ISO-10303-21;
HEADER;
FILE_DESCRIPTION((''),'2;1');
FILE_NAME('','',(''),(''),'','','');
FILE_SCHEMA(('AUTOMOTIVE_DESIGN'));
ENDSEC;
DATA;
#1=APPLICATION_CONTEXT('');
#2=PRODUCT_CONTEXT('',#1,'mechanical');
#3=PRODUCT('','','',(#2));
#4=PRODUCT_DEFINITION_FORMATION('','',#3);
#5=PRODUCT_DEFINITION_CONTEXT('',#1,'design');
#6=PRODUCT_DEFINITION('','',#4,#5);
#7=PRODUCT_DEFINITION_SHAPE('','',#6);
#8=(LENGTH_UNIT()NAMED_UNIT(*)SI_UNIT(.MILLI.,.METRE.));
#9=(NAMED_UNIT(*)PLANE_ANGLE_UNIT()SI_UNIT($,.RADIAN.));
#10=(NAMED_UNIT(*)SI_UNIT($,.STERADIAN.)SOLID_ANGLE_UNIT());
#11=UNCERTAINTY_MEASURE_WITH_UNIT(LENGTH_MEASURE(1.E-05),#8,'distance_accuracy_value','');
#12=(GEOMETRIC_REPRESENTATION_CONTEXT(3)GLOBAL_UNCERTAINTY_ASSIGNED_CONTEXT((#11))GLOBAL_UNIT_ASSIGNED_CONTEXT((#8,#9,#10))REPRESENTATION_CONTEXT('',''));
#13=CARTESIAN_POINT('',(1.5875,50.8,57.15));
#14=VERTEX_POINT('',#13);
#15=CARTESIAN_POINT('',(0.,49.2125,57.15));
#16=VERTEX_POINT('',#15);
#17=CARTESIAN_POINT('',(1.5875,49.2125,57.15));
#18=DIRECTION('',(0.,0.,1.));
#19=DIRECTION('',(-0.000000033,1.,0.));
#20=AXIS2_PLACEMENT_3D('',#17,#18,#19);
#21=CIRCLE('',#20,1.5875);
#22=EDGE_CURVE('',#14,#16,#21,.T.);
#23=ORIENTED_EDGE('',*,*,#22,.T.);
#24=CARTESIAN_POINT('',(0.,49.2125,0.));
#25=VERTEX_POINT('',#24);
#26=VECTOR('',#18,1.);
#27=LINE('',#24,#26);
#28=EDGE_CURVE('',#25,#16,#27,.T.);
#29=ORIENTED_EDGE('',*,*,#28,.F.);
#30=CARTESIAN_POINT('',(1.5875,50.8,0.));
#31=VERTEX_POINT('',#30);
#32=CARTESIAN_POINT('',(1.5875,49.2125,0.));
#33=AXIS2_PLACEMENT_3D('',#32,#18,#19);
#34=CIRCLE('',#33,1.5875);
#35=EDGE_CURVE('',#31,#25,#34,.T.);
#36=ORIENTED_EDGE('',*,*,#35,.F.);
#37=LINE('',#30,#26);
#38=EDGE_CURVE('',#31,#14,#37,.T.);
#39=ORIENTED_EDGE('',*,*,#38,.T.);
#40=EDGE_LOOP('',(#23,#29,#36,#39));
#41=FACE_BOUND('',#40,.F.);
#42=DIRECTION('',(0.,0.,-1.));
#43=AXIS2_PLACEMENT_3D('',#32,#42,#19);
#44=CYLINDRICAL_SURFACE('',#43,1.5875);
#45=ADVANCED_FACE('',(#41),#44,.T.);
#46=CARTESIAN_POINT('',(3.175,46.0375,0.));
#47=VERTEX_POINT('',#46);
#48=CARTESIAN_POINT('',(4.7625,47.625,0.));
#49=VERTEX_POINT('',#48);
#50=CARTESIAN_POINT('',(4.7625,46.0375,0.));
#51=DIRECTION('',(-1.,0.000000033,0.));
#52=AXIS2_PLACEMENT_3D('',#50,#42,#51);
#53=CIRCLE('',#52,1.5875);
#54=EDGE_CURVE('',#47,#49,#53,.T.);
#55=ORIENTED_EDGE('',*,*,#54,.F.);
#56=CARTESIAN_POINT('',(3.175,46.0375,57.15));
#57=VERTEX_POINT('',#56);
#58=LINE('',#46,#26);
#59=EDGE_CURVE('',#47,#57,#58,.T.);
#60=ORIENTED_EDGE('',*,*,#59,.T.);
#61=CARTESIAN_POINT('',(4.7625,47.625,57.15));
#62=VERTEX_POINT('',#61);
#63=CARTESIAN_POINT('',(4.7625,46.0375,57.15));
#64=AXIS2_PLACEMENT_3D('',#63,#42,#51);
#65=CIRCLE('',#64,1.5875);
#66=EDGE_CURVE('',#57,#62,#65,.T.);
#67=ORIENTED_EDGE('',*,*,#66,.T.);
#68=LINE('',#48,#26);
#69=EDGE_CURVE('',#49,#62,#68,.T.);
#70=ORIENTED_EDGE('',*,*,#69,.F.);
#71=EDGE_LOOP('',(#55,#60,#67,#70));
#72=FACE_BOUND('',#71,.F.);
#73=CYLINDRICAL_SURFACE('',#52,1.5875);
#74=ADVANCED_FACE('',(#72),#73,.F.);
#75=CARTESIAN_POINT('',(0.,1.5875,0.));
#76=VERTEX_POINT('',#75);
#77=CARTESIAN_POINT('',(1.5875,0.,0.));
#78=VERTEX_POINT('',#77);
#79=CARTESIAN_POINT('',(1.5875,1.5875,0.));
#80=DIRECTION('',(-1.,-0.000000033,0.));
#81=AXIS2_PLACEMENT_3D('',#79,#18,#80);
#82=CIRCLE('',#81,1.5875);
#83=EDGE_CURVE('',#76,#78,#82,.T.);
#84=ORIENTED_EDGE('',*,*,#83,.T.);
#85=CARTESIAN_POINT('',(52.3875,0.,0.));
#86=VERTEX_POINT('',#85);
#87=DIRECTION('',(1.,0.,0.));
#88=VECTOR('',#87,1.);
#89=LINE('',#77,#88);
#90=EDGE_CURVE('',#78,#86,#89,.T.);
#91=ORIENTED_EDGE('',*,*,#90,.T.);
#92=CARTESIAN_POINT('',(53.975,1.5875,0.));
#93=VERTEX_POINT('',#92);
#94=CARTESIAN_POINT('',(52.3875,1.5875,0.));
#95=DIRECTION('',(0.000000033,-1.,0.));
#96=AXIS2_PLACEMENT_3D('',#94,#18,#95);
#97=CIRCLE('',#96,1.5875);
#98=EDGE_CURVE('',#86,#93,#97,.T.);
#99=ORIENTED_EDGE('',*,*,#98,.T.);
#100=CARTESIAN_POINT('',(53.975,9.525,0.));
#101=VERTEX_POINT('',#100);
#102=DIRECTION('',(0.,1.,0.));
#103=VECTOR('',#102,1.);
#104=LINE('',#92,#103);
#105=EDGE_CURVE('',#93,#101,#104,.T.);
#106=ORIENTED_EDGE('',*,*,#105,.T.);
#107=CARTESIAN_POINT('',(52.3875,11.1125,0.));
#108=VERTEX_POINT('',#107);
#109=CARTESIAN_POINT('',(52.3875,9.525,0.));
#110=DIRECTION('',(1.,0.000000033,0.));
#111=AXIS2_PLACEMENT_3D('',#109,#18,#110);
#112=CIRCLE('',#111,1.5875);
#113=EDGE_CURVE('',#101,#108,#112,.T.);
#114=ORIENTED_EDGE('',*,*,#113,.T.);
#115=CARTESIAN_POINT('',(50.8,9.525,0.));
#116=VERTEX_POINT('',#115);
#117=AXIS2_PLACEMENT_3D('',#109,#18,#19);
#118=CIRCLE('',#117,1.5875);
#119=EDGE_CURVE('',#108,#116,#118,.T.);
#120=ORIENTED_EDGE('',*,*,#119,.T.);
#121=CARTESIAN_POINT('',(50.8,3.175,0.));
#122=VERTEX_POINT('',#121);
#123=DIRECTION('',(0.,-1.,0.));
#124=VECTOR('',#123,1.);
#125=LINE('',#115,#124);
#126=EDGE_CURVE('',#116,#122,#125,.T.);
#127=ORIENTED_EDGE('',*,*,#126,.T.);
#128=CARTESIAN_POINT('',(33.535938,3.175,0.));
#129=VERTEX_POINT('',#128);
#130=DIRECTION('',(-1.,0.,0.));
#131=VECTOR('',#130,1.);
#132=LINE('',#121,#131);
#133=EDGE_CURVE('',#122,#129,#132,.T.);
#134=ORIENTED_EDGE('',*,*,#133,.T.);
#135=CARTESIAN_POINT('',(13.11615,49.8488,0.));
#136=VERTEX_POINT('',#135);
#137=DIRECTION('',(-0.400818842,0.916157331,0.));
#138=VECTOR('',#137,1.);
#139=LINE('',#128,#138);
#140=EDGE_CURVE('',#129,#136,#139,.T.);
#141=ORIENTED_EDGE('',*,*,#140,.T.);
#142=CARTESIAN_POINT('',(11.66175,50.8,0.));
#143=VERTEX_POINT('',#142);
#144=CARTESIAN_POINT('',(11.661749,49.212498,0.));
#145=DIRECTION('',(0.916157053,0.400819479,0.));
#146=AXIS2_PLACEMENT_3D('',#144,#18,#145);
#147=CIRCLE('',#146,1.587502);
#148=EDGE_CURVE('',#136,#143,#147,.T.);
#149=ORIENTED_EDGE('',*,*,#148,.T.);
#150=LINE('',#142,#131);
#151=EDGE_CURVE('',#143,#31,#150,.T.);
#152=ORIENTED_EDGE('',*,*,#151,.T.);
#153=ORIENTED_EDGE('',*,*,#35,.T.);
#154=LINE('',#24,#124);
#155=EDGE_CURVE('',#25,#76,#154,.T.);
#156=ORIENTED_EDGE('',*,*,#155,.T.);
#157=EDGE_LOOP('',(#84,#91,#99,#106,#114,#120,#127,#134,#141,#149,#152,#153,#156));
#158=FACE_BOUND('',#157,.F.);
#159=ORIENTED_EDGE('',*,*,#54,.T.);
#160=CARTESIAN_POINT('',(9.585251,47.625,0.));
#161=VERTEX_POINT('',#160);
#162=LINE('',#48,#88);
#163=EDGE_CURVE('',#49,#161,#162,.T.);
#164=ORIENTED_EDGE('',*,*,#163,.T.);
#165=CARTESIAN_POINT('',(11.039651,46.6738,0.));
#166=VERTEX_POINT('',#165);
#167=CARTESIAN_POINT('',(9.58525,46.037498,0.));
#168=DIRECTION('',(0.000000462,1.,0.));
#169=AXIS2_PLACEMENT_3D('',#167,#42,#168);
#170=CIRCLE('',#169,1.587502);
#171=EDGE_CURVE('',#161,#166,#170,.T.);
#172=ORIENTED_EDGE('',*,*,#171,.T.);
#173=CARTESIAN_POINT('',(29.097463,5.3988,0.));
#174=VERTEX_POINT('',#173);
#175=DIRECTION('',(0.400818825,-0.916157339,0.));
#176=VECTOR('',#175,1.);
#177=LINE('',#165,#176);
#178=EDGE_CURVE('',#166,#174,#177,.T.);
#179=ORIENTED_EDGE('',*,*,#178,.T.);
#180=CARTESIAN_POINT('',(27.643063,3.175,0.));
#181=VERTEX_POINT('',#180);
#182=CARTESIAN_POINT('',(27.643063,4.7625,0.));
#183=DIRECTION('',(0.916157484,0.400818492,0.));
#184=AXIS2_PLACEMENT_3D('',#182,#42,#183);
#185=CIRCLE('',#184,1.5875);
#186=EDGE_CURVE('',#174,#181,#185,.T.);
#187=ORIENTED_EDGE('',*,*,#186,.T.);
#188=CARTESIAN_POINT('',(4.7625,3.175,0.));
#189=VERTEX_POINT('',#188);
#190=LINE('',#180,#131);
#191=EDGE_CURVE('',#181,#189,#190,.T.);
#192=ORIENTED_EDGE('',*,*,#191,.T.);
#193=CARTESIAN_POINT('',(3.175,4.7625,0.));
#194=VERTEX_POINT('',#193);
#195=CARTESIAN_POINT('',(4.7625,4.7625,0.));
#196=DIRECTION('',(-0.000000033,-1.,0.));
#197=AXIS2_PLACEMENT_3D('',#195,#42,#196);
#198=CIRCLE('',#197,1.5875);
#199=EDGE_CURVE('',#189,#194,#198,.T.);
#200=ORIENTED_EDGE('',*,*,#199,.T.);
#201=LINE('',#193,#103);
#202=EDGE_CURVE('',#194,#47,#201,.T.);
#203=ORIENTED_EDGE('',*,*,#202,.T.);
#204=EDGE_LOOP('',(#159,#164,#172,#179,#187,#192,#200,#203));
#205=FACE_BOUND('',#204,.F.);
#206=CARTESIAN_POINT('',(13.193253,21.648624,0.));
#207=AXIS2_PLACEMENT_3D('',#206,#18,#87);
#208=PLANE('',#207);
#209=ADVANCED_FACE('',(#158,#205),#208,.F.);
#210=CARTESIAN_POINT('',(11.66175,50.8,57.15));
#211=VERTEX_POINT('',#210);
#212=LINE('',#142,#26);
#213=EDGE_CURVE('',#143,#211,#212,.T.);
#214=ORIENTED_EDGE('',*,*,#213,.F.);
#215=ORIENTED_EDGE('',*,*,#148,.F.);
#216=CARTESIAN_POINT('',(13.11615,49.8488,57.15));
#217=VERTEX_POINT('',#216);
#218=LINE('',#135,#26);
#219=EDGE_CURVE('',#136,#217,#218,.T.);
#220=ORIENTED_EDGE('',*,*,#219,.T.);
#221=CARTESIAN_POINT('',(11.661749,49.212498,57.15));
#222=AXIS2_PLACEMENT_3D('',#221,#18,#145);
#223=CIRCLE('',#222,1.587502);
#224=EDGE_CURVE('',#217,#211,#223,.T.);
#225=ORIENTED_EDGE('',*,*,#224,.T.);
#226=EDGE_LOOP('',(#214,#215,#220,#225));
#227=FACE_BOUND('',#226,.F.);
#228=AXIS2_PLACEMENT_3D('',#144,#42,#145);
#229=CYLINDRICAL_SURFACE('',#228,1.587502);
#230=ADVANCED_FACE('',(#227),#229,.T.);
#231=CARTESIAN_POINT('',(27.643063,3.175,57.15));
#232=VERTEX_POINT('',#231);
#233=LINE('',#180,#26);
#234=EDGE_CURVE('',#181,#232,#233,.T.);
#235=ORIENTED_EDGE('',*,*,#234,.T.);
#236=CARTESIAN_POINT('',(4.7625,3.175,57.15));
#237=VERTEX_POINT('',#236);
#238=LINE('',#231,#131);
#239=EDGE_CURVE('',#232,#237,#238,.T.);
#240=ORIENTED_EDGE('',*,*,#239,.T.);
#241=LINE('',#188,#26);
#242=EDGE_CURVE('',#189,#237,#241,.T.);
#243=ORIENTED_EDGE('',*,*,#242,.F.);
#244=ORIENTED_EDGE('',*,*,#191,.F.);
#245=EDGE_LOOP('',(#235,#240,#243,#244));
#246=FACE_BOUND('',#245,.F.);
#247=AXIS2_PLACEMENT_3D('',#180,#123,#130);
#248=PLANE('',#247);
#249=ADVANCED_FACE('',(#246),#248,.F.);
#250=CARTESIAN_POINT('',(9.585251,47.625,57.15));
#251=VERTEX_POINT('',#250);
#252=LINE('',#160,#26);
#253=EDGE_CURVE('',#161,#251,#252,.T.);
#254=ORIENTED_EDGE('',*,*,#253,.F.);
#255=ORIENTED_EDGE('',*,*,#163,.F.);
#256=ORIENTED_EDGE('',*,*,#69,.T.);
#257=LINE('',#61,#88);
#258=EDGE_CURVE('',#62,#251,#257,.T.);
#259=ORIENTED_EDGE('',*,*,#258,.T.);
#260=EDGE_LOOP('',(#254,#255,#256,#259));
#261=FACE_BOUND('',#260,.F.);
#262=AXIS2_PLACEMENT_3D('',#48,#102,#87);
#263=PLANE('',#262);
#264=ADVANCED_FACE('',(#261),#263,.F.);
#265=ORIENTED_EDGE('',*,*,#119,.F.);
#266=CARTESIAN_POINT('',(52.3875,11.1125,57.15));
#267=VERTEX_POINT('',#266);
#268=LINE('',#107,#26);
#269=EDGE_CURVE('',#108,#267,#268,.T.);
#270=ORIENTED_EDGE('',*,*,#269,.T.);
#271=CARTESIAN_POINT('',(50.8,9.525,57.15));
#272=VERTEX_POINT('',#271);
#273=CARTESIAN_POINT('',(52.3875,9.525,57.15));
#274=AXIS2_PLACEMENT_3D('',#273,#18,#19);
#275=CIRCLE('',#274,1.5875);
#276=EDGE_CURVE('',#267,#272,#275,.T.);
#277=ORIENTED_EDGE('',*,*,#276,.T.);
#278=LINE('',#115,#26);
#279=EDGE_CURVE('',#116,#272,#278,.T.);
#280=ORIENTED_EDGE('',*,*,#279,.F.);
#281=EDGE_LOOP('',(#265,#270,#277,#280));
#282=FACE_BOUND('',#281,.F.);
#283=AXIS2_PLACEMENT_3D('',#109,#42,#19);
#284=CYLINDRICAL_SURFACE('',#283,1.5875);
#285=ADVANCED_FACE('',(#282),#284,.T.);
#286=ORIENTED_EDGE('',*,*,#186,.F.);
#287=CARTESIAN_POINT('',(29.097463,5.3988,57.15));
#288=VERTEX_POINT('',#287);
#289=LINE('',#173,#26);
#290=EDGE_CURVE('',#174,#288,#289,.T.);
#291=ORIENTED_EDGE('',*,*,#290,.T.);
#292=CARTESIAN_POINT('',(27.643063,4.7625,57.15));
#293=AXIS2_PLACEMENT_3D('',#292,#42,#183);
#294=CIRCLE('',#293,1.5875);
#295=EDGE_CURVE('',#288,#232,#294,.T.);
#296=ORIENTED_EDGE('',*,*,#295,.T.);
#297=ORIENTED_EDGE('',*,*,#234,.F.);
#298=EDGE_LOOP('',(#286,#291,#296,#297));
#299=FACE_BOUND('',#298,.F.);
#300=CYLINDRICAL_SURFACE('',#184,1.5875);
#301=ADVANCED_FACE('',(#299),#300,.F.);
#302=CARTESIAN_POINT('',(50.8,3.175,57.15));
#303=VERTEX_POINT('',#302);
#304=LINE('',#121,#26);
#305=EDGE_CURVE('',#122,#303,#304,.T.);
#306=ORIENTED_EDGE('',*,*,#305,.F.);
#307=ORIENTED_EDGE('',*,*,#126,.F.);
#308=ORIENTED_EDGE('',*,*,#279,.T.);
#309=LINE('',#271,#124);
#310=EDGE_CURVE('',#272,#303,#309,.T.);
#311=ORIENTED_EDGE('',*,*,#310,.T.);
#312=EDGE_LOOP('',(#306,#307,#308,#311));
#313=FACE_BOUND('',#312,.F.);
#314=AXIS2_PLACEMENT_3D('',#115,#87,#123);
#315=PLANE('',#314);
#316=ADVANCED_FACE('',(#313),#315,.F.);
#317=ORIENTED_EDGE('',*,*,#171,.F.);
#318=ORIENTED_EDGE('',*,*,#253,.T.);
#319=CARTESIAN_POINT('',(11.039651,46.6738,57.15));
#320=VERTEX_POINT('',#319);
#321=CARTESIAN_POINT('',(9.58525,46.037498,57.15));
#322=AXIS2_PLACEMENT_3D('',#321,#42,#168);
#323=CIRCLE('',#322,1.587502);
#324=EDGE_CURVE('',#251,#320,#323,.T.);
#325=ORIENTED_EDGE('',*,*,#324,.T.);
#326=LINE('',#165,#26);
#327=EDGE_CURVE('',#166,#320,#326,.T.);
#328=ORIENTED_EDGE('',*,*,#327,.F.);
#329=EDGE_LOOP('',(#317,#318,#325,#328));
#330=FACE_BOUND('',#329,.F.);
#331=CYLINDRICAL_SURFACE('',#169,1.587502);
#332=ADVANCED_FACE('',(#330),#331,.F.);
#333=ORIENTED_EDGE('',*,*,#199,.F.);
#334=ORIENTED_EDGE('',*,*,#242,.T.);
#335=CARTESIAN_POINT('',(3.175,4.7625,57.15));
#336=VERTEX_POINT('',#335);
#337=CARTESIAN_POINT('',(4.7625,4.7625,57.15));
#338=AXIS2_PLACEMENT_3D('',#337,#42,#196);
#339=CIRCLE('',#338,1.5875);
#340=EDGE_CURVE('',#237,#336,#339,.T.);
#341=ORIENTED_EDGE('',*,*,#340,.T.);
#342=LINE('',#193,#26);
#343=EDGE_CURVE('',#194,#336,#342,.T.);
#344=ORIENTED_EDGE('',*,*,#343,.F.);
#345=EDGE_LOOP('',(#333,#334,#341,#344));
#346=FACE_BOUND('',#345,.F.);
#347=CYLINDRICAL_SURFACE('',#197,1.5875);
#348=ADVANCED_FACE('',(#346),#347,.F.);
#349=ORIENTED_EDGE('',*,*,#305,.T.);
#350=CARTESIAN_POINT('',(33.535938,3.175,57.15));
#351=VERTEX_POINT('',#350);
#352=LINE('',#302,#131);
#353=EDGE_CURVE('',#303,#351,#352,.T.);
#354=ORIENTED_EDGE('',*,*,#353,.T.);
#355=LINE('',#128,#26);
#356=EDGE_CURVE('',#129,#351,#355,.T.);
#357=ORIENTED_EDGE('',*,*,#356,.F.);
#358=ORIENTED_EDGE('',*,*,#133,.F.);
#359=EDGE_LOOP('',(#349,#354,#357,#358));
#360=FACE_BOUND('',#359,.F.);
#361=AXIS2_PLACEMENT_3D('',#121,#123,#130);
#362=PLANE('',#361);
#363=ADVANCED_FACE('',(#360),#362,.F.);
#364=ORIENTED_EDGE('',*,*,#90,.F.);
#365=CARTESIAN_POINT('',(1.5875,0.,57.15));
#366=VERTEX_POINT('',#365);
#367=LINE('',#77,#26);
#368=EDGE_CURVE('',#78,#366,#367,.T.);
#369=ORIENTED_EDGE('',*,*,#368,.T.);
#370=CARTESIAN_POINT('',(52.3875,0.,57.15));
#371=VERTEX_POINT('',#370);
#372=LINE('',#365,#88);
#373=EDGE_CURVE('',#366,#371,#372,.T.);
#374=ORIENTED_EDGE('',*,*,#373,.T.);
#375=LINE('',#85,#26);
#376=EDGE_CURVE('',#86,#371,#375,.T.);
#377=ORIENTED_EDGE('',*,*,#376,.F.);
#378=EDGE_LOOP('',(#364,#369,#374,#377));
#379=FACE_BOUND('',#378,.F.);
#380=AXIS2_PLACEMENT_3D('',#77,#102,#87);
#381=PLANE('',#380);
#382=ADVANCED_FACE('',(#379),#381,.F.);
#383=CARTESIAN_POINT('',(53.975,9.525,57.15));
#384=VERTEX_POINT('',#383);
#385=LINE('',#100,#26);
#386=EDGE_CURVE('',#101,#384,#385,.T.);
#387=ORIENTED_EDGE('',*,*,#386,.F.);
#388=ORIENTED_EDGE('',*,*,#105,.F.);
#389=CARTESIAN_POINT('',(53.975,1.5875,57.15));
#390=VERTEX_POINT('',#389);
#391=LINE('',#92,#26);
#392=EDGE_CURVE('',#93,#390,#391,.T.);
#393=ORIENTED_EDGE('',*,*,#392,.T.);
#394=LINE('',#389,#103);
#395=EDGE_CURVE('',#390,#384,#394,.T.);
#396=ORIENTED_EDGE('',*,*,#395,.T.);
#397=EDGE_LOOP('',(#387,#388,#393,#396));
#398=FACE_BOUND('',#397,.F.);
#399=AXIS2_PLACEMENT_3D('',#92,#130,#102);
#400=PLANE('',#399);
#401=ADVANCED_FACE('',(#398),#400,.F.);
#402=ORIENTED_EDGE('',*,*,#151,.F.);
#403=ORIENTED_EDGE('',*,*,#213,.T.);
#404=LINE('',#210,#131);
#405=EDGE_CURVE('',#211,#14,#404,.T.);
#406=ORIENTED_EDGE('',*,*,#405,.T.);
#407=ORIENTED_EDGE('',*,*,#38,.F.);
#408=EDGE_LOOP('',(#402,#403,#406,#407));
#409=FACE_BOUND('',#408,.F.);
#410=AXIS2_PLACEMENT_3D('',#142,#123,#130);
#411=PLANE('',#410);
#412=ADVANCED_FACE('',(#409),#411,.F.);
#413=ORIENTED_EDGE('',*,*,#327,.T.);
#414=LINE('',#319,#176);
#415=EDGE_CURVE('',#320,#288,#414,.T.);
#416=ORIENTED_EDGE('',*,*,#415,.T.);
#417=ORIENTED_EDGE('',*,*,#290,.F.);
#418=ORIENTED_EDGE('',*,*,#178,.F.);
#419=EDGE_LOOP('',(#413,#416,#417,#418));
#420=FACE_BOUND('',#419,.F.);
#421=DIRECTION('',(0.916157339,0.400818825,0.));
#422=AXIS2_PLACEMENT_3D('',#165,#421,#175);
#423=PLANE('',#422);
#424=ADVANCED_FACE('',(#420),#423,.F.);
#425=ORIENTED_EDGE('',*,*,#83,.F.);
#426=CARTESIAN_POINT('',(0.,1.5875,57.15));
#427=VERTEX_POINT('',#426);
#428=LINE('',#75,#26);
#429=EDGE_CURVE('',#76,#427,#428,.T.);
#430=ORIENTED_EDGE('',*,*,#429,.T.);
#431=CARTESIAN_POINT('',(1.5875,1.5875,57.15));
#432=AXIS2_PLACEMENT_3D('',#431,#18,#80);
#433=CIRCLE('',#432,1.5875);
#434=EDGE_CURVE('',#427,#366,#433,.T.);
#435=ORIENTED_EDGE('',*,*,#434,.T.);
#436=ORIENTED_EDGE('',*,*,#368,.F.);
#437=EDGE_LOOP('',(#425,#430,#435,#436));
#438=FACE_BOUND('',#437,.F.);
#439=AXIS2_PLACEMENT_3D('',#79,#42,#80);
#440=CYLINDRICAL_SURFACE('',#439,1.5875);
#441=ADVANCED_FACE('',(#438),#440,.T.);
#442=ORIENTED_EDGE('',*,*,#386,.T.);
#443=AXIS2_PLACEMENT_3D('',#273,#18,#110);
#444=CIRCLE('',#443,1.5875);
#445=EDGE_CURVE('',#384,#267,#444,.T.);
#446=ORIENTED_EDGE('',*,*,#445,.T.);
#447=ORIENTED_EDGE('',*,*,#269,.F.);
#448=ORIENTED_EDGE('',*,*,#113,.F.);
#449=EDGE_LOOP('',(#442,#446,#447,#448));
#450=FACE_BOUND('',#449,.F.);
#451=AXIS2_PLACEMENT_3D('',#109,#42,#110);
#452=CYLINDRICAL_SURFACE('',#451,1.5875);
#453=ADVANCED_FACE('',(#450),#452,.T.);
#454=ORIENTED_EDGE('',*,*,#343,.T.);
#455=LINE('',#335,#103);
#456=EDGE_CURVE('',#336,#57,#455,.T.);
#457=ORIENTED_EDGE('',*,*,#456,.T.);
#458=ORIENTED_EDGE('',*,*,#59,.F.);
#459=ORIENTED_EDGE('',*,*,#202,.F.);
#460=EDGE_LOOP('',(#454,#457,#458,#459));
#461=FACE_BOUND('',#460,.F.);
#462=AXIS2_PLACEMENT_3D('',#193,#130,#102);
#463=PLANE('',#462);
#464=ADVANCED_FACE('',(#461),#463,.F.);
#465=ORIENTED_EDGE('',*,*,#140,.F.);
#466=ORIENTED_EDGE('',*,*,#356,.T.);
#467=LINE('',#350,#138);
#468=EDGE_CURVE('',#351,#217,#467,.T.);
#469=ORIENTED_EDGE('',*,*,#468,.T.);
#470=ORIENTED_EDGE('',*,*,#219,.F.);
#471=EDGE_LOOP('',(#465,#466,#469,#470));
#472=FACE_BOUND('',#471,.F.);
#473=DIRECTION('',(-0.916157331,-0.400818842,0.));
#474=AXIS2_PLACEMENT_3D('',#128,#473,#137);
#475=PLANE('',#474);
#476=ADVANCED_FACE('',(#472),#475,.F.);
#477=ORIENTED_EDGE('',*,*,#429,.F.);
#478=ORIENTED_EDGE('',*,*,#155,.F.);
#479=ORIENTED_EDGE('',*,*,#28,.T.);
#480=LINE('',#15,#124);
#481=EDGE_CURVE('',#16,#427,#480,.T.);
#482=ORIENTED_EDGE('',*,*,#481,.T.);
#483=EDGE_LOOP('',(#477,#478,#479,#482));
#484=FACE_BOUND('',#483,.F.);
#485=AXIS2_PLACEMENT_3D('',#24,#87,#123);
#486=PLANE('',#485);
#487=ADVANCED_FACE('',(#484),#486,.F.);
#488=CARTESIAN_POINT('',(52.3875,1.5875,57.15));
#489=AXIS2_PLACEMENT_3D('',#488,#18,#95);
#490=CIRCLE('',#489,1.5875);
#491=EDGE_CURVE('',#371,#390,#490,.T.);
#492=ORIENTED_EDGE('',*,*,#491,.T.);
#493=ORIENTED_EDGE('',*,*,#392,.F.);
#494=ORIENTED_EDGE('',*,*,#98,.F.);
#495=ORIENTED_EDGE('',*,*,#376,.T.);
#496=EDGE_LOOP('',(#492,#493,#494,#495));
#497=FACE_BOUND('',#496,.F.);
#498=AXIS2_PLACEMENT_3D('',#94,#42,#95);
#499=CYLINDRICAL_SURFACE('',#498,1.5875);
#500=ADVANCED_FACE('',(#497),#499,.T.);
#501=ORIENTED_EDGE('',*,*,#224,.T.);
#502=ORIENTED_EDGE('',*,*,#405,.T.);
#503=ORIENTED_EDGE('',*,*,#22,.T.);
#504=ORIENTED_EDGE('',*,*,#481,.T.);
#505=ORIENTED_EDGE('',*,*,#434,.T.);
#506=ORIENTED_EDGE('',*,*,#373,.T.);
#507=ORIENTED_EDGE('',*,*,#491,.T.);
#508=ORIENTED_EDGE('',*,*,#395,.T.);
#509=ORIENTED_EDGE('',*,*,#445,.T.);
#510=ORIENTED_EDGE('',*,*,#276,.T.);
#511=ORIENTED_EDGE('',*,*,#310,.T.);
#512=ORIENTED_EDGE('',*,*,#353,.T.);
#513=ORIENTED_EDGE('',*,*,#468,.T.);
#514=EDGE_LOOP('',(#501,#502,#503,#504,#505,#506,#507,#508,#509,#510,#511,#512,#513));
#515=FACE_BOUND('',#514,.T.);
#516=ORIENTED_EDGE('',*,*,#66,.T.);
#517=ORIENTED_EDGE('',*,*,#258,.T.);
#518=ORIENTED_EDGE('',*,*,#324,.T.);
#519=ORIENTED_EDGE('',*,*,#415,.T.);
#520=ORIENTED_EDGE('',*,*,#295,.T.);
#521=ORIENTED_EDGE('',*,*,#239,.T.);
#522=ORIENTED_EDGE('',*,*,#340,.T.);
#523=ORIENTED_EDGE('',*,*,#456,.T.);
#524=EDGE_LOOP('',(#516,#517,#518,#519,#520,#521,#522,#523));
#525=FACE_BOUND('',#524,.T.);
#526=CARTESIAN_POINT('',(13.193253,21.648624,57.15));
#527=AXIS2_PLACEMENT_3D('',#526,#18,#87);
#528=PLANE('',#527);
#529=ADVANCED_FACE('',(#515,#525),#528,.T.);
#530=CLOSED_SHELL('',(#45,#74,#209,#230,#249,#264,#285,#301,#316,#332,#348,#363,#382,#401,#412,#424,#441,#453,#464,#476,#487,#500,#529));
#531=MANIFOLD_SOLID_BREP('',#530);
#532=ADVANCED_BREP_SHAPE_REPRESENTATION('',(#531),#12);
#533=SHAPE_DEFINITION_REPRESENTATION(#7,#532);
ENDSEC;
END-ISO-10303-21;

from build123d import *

# Parameters (mm, degrees)
F1_DEPTH = 57.15


with BuildPart() as f1:
    # F0 (on Top) → F1 (new body)
    with BuildSketch(Plane.XY):
        with BuildLine():
            ThreePointArc((0, 1.5875), (0.464968, 0.464968), (1.5875, 0))
            Line((1.5875, 0), (34.925, 0))
            Line((34.925, 0), (33.535938, 3.175))
            Line((33.535938, 3.175), (13.11615, 49.8488))
            ThreePointArc((13.11615, 49.8488), (12.530666, 50.541086), (11.66175, 50.8))
            Line((11.66175, 50.8), (1.5875, 50.8))
            ThreePointArc((1.5875, 50.8), (0.464968, 50.335032), (0, 49.2125))
            Line((0, 49.2125), (0, 1.5875))
        make_face()
        with BuildLine():
            ThreePointArc((4.7625, 3.175), (3.639968, 3.639968), (3.175, 4.7625))
            Line((3.175, 4.7625), (3.175, 46.0375))
            ThreePointArc((3.175, 46.0375), (3.639968, 47.160032), (4.7625, 47.625))
            Line((4.7625, 47.625), (9.585251, 47.625))
            ThreePointArc((9.585251, 47.625), (10.454167, 47.366086), (11.039651, 46.6738))
            Line((11.039651, 46.6738), (29.097463, 5.3988))
            ThreePointArc((29.097463, 5.3988), (28.971649, 3.893584), (27.643063, 3.175))
            Line((27.643063, 3.175), (4.7625, 3.175))
        make_face(mode=Mode.SUBTRACT)
        with BuildLine():
            Line((33.535938, 3.175), (34.925, 0))
            Line((34.925, 0), (52.3875, 0))
            ThreePointArc((52.3875, 0), (53.510032, 0.464968), (53.975, 1.5875))
            Line((53.975, 1.5875), (53.975, 9.525))
            ThreePointArc((53.975, 9.525), (53.510032, 10.647532), (52.3875, 11.1125))
            ThreePointArc((52.3875, 11.1125), (51.264968, 10.647532), (50.8, 9.525))
            Line((50.8, 9.525), (50.8, 3.175))
            Line((50.8, 3.175), (33.535938, 3.175))
        make_face()
    extrude(amount=F1_DEPTH)


solid = f1.part
